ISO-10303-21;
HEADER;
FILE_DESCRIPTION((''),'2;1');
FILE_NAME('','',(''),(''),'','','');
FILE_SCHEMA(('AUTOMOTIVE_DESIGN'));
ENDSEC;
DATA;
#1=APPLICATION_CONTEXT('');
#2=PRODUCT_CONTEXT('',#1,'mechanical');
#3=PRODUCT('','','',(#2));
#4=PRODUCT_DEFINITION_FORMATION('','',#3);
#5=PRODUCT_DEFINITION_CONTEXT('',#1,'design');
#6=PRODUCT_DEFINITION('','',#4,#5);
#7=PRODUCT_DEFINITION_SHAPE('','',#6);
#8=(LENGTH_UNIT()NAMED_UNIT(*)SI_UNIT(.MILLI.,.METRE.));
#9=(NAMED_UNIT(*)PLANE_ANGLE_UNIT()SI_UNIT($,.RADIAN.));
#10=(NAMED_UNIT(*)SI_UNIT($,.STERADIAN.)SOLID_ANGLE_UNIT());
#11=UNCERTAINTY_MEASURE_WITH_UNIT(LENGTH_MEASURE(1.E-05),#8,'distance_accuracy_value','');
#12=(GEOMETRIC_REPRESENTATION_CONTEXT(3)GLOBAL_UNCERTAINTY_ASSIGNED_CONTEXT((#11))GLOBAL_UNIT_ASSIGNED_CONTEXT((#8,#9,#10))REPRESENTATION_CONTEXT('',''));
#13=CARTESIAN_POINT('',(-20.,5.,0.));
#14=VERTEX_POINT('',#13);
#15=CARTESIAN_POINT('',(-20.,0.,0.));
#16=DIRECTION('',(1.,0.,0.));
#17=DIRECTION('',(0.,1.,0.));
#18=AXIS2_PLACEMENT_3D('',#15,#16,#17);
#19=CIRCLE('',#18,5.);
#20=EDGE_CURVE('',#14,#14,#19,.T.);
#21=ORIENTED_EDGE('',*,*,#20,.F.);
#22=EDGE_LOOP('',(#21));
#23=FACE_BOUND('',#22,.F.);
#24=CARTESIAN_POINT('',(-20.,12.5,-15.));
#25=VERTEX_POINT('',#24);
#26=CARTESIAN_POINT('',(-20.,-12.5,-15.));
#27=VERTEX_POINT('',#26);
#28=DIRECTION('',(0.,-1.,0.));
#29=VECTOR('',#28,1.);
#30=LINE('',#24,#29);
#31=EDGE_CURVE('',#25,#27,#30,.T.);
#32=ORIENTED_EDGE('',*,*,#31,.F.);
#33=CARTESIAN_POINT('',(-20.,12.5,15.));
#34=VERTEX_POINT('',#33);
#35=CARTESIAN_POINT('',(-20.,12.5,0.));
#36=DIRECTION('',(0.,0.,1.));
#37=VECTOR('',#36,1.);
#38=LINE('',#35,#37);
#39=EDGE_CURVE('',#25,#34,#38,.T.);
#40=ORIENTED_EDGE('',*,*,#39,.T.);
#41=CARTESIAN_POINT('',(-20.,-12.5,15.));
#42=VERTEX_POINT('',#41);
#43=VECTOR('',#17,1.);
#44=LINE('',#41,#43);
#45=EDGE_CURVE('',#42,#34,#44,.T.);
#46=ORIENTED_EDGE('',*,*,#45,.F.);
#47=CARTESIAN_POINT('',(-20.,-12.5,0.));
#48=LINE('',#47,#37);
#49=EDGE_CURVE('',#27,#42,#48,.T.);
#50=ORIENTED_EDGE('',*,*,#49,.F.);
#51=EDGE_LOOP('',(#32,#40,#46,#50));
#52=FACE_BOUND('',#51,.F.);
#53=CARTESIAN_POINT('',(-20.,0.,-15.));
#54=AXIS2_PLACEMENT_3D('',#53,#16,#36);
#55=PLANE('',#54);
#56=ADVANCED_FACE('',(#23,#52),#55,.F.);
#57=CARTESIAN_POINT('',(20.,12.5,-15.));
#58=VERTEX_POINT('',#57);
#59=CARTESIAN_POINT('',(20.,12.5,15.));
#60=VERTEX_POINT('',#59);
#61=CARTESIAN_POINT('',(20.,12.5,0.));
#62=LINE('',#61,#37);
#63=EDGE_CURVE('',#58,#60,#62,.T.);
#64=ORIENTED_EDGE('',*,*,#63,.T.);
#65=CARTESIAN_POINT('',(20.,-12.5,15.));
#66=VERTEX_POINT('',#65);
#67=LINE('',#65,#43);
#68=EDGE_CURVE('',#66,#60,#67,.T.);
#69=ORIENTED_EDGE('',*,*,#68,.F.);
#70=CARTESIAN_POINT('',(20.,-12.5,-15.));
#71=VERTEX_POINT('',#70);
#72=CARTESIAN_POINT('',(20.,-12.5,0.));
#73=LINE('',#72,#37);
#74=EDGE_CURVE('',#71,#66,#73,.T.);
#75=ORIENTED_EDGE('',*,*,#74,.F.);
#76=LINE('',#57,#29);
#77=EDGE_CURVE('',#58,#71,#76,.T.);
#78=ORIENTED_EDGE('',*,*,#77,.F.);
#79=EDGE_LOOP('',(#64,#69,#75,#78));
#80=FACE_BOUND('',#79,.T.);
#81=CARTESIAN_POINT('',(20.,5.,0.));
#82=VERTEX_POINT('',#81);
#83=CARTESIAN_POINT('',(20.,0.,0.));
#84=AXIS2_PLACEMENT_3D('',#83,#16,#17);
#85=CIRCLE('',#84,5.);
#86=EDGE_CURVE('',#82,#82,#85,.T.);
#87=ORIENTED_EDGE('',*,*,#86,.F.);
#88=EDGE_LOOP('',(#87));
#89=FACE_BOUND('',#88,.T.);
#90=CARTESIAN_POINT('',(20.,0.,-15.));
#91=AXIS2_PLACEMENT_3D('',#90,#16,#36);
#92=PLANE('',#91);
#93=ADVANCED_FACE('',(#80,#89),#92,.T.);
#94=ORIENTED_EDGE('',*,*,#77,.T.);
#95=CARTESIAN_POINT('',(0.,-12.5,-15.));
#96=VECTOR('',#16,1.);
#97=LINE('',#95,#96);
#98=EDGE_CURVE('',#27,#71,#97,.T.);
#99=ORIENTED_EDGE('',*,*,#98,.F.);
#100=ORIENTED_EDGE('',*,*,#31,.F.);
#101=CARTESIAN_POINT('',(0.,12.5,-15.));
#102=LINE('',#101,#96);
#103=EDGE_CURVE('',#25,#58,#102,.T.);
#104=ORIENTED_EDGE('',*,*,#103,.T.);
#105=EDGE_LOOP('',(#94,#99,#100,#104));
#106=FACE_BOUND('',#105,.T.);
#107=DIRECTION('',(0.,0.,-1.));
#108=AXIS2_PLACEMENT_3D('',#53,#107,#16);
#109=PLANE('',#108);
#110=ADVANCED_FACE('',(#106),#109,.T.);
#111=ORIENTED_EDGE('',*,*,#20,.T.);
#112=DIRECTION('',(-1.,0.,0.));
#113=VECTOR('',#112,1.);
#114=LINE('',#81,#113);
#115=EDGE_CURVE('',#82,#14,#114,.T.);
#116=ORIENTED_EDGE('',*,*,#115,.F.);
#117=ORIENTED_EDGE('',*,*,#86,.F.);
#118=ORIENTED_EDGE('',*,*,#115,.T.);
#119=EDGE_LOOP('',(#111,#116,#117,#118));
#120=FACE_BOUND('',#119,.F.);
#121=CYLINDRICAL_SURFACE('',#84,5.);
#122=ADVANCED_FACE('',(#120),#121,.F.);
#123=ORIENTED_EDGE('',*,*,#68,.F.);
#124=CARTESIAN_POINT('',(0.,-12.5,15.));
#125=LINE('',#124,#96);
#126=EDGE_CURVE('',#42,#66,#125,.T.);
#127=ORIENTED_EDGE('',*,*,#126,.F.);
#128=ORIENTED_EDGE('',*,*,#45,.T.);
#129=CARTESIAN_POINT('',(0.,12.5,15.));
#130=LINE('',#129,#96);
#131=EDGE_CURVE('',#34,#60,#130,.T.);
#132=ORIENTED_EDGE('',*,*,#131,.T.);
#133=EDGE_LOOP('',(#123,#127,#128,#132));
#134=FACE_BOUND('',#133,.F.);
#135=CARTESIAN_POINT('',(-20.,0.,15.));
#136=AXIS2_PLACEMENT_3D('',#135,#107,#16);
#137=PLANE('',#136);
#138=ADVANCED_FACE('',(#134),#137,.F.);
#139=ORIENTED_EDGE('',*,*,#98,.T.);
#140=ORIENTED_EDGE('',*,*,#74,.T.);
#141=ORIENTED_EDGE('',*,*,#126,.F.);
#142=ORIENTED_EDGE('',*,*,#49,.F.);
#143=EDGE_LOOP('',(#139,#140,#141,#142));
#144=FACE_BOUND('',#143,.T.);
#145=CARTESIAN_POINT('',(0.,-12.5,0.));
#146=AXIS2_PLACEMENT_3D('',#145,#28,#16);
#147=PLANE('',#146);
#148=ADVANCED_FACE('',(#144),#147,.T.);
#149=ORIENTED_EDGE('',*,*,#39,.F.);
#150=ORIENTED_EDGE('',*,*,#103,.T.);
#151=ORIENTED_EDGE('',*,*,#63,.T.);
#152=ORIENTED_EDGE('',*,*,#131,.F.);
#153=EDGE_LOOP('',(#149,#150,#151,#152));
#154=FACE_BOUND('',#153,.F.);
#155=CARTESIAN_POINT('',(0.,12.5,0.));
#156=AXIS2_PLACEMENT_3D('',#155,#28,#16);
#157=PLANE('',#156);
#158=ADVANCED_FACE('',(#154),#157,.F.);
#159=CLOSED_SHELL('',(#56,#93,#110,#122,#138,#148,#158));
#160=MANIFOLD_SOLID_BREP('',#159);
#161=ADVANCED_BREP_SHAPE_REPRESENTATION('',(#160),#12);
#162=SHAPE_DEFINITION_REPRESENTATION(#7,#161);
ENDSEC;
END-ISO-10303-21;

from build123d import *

# Parameters (mm, degrees)
F0_W     = 40
F0_H     = 30
F1_DEPTH = 12.5
F2_R     = 5
F3_DEPTH = 58


with BuildPart() as f1:
    # F0 (on Front) → F1 (new body, symmetric)
    with BuildSketch(Plane.XZ):
        Rectangle(F0_W, F0_H)
    extrude(amount=F1_DEPTH, both=True)

    # F2 (on face) → F3 (cut)
    with BuildSketch(Plane.YZ.offset(20)):
        Circle(F2_R)
    extrude(amount=-F3_DEPTH, mode=Mode.SUBTRACT)


solid = f1.part
